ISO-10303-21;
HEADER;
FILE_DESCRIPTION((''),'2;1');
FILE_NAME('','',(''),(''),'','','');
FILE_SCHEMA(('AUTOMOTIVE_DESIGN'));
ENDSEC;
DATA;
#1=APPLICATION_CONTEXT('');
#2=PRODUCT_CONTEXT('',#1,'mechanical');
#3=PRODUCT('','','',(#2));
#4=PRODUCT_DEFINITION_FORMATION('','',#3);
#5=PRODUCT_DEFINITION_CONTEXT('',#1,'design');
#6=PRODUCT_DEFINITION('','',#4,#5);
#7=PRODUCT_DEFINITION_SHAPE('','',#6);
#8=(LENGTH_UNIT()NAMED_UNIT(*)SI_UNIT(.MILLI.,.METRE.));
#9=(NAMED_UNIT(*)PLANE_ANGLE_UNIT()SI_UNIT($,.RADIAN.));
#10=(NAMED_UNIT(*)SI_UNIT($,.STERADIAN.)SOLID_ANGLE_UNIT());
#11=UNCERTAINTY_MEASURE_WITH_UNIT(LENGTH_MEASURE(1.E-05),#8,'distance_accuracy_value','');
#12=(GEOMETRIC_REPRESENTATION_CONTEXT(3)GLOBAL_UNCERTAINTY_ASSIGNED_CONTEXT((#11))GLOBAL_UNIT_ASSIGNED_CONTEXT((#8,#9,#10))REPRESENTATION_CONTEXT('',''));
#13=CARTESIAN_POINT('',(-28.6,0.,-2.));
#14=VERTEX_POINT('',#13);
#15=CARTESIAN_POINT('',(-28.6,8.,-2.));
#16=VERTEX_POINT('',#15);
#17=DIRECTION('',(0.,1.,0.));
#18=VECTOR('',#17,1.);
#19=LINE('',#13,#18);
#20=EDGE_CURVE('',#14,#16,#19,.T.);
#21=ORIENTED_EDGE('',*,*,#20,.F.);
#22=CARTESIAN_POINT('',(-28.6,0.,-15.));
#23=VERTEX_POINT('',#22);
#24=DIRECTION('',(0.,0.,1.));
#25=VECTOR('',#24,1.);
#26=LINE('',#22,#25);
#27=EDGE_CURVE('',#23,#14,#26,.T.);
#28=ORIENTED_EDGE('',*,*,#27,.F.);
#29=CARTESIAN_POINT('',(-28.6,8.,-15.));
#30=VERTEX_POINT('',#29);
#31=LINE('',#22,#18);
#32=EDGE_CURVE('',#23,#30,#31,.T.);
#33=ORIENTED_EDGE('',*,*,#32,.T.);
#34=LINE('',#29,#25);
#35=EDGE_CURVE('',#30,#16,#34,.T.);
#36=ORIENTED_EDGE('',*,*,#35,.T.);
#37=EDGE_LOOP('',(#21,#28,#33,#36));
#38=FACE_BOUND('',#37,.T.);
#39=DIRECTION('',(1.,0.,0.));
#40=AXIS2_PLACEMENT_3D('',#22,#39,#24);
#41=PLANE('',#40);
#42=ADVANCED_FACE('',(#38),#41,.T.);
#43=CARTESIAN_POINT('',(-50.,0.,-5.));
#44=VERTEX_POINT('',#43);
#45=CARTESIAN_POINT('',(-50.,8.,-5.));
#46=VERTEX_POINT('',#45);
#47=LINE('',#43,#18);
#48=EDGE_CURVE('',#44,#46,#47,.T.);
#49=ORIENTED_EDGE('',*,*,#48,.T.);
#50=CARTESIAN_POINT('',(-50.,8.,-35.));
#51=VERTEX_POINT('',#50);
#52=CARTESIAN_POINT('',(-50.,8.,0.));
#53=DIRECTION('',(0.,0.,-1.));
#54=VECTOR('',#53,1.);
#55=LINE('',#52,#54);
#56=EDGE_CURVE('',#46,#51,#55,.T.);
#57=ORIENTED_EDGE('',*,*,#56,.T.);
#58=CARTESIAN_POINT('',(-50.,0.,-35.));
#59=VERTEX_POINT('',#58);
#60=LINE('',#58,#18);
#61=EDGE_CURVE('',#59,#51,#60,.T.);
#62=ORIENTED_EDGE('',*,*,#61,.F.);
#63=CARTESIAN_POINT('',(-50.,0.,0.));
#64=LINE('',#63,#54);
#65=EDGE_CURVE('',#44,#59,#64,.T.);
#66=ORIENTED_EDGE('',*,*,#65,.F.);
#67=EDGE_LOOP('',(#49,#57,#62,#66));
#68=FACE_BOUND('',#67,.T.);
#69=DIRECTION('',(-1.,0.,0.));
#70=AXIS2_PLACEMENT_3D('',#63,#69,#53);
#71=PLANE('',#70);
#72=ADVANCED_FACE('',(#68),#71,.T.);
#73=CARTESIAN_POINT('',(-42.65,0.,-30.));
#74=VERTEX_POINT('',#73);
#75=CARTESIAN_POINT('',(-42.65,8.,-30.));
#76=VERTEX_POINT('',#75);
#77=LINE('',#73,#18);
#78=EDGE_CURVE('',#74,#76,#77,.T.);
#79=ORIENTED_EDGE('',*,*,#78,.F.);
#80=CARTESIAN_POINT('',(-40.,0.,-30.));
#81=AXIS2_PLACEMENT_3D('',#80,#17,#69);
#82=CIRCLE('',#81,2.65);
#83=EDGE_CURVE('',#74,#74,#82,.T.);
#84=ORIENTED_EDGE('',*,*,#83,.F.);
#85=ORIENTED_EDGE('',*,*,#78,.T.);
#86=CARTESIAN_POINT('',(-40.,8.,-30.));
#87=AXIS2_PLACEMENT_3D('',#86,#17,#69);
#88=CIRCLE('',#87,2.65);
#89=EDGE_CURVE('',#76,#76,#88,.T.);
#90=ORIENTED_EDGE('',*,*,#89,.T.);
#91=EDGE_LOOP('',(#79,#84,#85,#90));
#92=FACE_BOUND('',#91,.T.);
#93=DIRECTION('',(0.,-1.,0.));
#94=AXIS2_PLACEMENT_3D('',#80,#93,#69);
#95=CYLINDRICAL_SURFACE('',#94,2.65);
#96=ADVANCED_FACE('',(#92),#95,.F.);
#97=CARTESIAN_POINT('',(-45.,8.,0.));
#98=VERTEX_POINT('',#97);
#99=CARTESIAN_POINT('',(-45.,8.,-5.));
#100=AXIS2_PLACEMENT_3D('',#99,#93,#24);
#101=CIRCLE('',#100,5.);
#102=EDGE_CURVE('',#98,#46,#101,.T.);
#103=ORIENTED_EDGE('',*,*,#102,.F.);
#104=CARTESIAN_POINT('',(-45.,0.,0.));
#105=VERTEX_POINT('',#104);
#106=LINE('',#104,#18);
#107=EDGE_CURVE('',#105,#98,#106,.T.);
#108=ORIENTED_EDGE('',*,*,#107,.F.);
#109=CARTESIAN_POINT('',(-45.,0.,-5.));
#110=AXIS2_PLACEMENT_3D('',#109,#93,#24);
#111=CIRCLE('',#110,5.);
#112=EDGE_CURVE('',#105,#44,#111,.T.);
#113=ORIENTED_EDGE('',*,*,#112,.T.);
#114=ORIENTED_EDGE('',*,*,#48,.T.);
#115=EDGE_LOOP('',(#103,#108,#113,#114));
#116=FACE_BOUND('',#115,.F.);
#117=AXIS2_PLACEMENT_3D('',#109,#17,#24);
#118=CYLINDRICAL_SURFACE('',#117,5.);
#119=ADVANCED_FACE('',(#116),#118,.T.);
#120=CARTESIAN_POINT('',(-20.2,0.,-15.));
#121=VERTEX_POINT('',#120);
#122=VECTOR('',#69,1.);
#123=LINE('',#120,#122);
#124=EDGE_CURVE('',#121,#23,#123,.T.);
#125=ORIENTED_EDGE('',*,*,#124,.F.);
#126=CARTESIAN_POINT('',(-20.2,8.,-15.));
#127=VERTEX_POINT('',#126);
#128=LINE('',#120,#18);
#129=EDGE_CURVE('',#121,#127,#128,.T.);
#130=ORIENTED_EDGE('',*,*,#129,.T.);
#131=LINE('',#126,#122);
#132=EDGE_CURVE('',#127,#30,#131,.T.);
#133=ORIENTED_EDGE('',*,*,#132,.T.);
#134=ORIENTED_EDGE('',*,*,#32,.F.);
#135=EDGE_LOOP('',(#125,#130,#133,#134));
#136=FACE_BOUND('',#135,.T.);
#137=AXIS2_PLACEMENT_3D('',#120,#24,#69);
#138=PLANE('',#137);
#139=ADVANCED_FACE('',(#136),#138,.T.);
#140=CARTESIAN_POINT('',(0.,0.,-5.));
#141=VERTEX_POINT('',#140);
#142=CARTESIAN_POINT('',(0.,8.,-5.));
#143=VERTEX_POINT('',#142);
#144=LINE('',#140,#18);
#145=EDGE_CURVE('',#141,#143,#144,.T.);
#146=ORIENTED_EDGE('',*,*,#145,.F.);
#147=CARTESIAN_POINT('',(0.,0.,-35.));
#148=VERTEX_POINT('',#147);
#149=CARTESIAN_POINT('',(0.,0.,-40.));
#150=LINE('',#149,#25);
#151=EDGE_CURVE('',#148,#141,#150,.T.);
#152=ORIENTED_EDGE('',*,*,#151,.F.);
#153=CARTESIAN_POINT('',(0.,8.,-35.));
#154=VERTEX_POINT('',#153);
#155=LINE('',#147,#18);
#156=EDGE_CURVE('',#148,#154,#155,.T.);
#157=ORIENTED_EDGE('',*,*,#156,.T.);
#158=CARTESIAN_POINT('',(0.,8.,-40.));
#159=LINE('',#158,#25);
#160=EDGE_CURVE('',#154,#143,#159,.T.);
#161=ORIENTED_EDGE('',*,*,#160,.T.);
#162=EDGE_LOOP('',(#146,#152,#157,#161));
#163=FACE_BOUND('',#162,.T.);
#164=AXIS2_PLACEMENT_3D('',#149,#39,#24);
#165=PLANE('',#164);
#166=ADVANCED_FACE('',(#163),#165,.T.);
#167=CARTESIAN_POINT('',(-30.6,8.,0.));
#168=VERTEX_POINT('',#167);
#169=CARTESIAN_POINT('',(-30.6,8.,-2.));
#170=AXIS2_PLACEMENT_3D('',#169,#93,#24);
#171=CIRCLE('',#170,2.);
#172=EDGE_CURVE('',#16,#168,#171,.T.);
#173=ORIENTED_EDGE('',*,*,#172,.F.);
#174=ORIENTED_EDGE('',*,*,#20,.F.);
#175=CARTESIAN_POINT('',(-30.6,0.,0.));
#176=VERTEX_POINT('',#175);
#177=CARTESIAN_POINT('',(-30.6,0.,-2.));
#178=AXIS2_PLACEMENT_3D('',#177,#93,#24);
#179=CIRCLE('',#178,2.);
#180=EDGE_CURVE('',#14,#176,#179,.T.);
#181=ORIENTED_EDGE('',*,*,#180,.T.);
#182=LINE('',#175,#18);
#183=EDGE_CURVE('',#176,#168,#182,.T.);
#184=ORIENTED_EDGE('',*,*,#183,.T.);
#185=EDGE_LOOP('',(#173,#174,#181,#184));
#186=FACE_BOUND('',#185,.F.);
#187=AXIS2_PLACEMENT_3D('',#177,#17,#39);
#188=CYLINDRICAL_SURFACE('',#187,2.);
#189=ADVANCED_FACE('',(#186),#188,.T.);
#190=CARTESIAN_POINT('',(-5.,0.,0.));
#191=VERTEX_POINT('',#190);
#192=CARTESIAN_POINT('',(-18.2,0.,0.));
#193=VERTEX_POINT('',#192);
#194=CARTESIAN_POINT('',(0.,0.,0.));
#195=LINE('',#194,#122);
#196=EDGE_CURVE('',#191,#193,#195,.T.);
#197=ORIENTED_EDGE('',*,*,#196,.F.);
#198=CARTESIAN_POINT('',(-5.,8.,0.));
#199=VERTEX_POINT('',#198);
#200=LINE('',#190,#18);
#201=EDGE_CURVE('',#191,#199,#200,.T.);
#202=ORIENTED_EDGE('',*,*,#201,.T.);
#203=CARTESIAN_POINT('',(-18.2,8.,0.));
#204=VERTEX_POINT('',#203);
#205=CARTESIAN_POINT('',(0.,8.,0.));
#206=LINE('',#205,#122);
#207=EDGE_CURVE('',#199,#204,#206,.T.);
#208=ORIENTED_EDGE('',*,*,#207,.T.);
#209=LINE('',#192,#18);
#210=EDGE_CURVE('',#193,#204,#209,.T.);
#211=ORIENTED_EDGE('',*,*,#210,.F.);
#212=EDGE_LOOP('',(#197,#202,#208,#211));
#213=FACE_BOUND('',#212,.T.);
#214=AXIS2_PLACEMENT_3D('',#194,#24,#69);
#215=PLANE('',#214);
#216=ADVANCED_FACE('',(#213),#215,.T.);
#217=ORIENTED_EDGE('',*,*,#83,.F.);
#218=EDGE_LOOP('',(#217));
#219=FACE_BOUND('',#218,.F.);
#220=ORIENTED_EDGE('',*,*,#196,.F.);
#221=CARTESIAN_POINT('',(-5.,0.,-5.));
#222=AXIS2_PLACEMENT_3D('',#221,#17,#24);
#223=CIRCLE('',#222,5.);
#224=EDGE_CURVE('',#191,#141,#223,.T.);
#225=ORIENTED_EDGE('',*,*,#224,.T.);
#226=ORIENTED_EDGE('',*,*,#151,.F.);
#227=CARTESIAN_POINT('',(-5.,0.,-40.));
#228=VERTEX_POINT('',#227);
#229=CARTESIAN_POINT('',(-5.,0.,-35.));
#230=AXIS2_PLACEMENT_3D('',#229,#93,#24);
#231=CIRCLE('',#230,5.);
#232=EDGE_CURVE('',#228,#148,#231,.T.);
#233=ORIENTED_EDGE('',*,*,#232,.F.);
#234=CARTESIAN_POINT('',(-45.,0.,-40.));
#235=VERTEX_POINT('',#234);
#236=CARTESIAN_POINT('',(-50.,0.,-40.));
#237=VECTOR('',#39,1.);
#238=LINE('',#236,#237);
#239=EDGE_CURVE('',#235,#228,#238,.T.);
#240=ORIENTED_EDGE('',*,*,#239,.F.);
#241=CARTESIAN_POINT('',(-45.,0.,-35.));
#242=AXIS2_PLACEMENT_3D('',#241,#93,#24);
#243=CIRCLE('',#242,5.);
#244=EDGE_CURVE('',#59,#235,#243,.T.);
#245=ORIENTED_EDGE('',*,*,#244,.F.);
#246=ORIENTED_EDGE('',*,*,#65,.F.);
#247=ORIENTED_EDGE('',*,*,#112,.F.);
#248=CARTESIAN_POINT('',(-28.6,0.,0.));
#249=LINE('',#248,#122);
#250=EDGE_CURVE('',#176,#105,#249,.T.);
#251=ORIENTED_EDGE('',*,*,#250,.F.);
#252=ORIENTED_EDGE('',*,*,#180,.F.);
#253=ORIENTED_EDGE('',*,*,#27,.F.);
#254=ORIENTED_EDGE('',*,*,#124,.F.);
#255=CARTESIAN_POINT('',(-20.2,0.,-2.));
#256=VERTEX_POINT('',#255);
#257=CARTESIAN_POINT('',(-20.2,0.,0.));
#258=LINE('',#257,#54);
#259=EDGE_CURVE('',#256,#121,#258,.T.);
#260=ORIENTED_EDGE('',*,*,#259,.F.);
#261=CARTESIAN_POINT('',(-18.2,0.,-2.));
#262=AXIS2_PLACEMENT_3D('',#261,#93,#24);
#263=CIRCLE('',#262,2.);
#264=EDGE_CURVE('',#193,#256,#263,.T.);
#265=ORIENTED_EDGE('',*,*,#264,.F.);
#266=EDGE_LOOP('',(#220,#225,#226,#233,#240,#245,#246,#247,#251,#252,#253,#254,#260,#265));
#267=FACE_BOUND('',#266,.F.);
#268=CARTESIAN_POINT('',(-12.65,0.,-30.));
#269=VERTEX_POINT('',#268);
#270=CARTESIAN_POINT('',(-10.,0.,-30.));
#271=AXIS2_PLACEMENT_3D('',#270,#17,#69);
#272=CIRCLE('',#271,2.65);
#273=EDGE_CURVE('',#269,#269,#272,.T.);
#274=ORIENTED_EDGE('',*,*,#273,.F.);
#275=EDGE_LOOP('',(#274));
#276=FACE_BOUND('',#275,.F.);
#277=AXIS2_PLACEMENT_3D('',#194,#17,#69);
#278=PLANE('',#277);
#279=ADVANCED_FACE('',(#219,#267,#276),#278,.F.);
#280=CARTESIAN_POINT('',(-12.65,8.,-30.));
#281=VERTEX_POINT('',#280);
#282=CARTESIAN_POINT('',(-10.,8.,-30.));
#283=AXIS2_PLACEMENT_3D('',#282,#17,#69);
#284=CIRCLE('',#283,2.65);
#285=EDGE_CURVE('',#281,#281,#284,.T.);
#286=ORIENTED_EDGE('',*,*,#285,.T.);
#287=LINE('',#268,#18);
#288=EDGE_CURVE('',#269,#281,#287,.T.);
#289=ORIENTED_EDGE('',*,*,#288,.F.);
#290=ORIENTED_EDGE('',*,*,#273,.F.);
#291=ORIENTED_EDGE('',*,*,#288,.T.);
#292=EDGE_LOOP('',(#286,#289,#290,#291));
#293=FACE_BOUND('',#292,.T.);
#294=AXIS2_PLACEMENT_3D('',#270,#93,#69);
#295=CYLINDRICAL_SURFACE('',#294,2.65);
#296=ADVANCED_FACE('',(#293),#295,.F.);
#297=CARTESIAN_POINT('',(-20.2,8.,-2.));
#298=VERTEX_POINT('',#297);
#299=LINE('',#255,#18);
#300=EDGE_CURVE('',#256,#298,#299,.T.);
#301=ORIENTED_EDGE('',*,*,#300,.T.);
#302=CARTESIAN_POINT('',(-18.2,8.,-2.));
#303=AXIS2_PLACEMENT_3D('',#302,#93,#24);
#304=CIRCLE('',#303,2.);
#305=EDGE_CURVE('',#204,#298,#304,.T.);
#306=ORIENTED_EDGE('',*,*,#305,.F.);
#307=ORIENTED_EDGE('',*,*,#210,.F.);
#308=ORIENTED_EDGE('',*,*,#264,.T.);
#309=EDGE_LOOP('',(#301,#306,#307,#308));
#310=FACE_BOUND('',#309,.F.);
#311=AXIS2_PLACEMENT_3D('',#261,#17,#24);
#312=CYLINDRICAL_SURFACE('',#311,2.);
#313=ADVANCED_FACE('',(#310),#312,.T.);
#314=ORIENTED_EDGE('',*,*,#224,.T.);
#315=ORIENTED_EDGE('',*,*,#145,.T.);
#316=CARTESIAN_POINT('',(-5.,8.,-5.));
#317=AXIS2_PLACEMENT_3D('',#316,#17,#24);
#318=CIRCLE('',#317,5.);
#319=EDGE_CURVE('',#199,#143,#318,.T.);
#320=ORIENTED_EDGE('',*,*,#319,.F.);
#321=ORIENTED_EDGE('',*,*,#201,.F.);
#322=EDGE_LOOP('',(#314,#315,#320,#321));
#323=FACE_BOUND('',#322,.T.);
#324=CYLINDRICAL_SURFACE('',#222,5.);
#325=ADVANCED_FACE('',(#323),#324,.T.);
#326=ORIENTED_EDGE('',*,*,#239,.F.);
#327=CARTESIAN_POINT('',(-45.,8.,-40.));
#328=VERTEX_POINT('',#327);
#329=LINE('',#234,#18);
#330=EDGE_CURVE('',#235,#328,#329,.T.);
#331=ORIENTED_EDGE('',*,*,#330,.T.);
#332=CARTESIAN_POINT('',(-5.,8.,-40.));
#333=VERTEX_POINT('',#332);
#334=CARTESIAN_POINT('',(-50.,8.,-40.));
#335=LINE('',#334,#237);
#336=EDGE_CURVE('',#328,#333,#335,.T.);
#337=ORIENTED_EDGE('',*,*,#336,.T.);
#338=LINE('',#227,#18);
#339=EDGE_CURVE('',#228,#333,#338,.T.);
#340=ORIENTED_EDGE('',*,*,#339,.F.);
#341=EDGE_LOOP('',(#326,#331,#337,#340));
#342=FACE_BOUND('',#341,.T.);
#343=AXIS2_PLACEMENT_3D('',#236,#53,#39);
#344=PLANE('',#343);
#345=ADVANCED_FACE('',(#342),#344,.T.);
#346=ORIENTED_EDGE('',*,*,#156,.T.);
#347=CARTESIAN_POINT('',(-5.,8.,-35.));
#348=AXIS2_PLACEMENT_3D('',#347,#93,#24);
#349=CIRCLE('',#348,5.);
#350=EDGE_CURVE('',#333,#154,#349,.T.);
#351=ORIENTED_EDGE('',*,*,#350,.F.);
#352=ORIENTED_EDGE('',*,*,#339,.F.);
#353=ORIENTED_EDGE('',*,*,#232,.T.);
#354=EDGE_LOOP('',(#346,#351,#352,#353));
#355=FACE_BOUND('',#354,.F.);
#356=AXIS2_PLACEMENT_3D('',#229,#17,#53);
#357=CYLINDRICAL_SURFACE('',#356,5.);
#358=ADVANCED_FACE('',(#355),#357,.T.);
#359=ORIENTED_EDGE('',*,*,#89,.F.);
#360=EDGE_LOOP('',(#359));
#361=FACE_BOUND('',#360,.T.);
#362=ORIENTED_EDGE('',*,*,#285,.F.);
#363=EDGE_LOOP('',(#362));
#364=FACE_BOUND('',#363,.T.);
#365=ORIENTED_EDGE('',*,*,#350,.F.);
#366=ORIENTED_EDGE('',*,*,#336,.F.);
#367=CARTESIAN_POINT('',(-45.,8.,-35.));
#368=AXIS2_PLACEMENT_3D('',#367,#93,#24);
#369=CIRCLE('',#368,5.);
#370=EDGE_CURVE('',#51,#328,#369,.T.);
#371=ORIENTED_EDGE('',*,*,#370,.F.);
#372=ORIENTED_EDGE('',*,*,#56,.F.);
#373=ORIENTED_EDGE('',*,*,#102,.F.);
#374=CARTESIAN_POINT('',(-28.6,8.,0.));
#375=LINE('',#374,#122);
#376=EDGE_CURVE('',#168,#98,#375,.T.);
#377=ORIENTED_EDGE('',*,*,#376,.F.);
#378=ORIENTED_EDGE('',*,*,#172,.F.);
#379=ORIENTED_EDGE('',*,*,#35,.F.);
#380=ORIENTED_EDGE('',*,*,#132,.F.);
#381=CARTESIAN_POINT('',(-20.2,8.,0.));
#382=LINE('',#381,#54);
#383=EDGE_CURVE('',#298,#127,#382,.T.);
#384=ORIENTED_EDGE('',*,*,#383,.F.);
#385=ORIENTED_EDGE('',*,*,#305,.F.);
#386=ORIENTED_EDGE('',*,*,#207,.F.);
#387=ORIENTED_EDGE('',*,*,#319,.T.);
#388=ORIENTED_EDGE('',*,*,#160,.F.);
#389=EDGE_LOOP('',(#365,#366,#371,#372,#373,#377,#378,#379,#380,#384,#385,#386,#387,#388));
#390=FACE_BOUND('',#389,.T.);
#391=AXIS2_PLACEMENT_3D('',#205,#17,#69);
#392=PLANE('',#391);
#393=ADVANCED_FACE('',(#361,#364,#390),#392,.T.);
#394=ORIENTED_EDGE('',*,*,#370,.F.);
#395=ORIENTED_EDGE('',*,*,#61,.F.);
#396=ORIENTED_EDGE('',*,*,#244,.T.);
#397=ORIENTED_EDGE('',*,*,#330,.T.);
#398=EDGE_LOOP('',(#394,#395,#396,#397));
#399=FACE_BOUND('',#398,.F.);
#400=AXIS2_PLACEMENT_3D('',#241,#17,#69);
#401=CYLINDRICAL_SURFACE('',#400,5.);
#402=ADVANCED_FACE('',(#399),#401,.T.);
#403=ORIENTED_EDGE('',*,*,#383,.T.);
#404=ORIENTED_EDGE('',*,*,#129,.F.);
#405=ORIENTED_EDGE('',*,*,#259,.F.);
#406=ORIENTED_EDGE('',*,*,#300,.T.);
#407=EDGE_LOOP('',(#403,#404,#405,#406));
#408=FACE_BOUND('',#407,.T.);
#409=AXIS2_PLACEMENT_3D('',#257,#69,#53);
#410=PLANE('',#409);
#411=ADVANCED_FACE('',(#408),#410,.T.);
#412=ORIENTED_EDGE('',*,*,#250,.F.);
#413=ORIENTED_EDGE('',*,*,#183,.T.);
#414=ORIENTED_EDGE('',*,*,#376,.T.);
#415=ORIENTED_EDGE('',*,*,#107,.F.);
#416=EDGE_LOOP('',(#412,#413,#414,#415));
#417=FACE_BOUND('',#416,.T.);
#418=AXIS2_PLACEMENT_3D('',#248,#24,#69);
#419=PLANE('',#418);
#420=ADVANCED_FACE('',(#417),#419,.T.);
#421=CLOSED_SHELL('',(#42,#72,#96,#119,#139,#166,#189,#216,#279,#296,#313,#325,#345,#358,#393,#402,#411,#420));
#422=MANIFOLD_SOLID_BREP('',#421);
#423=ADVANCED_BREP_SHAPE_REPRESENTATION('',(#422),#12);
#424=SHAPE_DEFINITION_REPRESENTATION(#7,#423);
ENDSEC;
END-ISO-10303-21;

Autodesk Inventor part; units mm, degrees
ref_plane "YZ Plane" through (0, 0, 0) normal (1, 0, 0) x (0, 1, 0)
ref_plane "XZ Plane" through (0, 0, 0) normal (0, 1, 0) x (-1, 0, 0)
ref_plane "XY Plane" through (0, 0, 0) normal (0, 0, 1) x (1, 0, 0)
sketch "Sketch1" plane through (0, 0, 0) normal (0, 1, 0) x (-1, 0, 0)
  line L0 (0, 0) -> (20.2, 0)
  line L1 (50, 0) -> (50, -40)
  line L2 (50, -40) -> (0, -40)
  line L3 (0, -40) -> (0, 0)
  line L4 (20.2, 0) -> (20.2, -15)
  line L5 (20.2, -15) -> (28.6, -15)
  line L6 (28.6, -15) -> (28.6, 0)
  circle A0 centre (40, -30) radius 2.65
  circle A1 centre (10, -30) radius 2.65
  line L7 (28.6, 0) -> (50, 0)
  dimension "d0" = 40
  dimension "d1" = 50
  dimension "d2" = 8.4
  dimension "d3" = 15
  dimension "d4" = 20.2
  dimension "d5" = 5.3
  dimension "d6" = 5.3
  dimension "d7" = 10
  dimension "d8" = 10
  dimension "d9" = 10
  dimension "d10" = 10
extrude "Extrusion1" add sketch "Sketch1" along normal blind 8
fillet "Fillet1" radius 5 4 edges at (0, 4, -40) (-50, 4, -40) (0, 4, 0) (-50, 4, 0)
fillet "Fillet2" radius 2 2 edges at (-28.6, 4, 0) (-20.2, 4, 0)
